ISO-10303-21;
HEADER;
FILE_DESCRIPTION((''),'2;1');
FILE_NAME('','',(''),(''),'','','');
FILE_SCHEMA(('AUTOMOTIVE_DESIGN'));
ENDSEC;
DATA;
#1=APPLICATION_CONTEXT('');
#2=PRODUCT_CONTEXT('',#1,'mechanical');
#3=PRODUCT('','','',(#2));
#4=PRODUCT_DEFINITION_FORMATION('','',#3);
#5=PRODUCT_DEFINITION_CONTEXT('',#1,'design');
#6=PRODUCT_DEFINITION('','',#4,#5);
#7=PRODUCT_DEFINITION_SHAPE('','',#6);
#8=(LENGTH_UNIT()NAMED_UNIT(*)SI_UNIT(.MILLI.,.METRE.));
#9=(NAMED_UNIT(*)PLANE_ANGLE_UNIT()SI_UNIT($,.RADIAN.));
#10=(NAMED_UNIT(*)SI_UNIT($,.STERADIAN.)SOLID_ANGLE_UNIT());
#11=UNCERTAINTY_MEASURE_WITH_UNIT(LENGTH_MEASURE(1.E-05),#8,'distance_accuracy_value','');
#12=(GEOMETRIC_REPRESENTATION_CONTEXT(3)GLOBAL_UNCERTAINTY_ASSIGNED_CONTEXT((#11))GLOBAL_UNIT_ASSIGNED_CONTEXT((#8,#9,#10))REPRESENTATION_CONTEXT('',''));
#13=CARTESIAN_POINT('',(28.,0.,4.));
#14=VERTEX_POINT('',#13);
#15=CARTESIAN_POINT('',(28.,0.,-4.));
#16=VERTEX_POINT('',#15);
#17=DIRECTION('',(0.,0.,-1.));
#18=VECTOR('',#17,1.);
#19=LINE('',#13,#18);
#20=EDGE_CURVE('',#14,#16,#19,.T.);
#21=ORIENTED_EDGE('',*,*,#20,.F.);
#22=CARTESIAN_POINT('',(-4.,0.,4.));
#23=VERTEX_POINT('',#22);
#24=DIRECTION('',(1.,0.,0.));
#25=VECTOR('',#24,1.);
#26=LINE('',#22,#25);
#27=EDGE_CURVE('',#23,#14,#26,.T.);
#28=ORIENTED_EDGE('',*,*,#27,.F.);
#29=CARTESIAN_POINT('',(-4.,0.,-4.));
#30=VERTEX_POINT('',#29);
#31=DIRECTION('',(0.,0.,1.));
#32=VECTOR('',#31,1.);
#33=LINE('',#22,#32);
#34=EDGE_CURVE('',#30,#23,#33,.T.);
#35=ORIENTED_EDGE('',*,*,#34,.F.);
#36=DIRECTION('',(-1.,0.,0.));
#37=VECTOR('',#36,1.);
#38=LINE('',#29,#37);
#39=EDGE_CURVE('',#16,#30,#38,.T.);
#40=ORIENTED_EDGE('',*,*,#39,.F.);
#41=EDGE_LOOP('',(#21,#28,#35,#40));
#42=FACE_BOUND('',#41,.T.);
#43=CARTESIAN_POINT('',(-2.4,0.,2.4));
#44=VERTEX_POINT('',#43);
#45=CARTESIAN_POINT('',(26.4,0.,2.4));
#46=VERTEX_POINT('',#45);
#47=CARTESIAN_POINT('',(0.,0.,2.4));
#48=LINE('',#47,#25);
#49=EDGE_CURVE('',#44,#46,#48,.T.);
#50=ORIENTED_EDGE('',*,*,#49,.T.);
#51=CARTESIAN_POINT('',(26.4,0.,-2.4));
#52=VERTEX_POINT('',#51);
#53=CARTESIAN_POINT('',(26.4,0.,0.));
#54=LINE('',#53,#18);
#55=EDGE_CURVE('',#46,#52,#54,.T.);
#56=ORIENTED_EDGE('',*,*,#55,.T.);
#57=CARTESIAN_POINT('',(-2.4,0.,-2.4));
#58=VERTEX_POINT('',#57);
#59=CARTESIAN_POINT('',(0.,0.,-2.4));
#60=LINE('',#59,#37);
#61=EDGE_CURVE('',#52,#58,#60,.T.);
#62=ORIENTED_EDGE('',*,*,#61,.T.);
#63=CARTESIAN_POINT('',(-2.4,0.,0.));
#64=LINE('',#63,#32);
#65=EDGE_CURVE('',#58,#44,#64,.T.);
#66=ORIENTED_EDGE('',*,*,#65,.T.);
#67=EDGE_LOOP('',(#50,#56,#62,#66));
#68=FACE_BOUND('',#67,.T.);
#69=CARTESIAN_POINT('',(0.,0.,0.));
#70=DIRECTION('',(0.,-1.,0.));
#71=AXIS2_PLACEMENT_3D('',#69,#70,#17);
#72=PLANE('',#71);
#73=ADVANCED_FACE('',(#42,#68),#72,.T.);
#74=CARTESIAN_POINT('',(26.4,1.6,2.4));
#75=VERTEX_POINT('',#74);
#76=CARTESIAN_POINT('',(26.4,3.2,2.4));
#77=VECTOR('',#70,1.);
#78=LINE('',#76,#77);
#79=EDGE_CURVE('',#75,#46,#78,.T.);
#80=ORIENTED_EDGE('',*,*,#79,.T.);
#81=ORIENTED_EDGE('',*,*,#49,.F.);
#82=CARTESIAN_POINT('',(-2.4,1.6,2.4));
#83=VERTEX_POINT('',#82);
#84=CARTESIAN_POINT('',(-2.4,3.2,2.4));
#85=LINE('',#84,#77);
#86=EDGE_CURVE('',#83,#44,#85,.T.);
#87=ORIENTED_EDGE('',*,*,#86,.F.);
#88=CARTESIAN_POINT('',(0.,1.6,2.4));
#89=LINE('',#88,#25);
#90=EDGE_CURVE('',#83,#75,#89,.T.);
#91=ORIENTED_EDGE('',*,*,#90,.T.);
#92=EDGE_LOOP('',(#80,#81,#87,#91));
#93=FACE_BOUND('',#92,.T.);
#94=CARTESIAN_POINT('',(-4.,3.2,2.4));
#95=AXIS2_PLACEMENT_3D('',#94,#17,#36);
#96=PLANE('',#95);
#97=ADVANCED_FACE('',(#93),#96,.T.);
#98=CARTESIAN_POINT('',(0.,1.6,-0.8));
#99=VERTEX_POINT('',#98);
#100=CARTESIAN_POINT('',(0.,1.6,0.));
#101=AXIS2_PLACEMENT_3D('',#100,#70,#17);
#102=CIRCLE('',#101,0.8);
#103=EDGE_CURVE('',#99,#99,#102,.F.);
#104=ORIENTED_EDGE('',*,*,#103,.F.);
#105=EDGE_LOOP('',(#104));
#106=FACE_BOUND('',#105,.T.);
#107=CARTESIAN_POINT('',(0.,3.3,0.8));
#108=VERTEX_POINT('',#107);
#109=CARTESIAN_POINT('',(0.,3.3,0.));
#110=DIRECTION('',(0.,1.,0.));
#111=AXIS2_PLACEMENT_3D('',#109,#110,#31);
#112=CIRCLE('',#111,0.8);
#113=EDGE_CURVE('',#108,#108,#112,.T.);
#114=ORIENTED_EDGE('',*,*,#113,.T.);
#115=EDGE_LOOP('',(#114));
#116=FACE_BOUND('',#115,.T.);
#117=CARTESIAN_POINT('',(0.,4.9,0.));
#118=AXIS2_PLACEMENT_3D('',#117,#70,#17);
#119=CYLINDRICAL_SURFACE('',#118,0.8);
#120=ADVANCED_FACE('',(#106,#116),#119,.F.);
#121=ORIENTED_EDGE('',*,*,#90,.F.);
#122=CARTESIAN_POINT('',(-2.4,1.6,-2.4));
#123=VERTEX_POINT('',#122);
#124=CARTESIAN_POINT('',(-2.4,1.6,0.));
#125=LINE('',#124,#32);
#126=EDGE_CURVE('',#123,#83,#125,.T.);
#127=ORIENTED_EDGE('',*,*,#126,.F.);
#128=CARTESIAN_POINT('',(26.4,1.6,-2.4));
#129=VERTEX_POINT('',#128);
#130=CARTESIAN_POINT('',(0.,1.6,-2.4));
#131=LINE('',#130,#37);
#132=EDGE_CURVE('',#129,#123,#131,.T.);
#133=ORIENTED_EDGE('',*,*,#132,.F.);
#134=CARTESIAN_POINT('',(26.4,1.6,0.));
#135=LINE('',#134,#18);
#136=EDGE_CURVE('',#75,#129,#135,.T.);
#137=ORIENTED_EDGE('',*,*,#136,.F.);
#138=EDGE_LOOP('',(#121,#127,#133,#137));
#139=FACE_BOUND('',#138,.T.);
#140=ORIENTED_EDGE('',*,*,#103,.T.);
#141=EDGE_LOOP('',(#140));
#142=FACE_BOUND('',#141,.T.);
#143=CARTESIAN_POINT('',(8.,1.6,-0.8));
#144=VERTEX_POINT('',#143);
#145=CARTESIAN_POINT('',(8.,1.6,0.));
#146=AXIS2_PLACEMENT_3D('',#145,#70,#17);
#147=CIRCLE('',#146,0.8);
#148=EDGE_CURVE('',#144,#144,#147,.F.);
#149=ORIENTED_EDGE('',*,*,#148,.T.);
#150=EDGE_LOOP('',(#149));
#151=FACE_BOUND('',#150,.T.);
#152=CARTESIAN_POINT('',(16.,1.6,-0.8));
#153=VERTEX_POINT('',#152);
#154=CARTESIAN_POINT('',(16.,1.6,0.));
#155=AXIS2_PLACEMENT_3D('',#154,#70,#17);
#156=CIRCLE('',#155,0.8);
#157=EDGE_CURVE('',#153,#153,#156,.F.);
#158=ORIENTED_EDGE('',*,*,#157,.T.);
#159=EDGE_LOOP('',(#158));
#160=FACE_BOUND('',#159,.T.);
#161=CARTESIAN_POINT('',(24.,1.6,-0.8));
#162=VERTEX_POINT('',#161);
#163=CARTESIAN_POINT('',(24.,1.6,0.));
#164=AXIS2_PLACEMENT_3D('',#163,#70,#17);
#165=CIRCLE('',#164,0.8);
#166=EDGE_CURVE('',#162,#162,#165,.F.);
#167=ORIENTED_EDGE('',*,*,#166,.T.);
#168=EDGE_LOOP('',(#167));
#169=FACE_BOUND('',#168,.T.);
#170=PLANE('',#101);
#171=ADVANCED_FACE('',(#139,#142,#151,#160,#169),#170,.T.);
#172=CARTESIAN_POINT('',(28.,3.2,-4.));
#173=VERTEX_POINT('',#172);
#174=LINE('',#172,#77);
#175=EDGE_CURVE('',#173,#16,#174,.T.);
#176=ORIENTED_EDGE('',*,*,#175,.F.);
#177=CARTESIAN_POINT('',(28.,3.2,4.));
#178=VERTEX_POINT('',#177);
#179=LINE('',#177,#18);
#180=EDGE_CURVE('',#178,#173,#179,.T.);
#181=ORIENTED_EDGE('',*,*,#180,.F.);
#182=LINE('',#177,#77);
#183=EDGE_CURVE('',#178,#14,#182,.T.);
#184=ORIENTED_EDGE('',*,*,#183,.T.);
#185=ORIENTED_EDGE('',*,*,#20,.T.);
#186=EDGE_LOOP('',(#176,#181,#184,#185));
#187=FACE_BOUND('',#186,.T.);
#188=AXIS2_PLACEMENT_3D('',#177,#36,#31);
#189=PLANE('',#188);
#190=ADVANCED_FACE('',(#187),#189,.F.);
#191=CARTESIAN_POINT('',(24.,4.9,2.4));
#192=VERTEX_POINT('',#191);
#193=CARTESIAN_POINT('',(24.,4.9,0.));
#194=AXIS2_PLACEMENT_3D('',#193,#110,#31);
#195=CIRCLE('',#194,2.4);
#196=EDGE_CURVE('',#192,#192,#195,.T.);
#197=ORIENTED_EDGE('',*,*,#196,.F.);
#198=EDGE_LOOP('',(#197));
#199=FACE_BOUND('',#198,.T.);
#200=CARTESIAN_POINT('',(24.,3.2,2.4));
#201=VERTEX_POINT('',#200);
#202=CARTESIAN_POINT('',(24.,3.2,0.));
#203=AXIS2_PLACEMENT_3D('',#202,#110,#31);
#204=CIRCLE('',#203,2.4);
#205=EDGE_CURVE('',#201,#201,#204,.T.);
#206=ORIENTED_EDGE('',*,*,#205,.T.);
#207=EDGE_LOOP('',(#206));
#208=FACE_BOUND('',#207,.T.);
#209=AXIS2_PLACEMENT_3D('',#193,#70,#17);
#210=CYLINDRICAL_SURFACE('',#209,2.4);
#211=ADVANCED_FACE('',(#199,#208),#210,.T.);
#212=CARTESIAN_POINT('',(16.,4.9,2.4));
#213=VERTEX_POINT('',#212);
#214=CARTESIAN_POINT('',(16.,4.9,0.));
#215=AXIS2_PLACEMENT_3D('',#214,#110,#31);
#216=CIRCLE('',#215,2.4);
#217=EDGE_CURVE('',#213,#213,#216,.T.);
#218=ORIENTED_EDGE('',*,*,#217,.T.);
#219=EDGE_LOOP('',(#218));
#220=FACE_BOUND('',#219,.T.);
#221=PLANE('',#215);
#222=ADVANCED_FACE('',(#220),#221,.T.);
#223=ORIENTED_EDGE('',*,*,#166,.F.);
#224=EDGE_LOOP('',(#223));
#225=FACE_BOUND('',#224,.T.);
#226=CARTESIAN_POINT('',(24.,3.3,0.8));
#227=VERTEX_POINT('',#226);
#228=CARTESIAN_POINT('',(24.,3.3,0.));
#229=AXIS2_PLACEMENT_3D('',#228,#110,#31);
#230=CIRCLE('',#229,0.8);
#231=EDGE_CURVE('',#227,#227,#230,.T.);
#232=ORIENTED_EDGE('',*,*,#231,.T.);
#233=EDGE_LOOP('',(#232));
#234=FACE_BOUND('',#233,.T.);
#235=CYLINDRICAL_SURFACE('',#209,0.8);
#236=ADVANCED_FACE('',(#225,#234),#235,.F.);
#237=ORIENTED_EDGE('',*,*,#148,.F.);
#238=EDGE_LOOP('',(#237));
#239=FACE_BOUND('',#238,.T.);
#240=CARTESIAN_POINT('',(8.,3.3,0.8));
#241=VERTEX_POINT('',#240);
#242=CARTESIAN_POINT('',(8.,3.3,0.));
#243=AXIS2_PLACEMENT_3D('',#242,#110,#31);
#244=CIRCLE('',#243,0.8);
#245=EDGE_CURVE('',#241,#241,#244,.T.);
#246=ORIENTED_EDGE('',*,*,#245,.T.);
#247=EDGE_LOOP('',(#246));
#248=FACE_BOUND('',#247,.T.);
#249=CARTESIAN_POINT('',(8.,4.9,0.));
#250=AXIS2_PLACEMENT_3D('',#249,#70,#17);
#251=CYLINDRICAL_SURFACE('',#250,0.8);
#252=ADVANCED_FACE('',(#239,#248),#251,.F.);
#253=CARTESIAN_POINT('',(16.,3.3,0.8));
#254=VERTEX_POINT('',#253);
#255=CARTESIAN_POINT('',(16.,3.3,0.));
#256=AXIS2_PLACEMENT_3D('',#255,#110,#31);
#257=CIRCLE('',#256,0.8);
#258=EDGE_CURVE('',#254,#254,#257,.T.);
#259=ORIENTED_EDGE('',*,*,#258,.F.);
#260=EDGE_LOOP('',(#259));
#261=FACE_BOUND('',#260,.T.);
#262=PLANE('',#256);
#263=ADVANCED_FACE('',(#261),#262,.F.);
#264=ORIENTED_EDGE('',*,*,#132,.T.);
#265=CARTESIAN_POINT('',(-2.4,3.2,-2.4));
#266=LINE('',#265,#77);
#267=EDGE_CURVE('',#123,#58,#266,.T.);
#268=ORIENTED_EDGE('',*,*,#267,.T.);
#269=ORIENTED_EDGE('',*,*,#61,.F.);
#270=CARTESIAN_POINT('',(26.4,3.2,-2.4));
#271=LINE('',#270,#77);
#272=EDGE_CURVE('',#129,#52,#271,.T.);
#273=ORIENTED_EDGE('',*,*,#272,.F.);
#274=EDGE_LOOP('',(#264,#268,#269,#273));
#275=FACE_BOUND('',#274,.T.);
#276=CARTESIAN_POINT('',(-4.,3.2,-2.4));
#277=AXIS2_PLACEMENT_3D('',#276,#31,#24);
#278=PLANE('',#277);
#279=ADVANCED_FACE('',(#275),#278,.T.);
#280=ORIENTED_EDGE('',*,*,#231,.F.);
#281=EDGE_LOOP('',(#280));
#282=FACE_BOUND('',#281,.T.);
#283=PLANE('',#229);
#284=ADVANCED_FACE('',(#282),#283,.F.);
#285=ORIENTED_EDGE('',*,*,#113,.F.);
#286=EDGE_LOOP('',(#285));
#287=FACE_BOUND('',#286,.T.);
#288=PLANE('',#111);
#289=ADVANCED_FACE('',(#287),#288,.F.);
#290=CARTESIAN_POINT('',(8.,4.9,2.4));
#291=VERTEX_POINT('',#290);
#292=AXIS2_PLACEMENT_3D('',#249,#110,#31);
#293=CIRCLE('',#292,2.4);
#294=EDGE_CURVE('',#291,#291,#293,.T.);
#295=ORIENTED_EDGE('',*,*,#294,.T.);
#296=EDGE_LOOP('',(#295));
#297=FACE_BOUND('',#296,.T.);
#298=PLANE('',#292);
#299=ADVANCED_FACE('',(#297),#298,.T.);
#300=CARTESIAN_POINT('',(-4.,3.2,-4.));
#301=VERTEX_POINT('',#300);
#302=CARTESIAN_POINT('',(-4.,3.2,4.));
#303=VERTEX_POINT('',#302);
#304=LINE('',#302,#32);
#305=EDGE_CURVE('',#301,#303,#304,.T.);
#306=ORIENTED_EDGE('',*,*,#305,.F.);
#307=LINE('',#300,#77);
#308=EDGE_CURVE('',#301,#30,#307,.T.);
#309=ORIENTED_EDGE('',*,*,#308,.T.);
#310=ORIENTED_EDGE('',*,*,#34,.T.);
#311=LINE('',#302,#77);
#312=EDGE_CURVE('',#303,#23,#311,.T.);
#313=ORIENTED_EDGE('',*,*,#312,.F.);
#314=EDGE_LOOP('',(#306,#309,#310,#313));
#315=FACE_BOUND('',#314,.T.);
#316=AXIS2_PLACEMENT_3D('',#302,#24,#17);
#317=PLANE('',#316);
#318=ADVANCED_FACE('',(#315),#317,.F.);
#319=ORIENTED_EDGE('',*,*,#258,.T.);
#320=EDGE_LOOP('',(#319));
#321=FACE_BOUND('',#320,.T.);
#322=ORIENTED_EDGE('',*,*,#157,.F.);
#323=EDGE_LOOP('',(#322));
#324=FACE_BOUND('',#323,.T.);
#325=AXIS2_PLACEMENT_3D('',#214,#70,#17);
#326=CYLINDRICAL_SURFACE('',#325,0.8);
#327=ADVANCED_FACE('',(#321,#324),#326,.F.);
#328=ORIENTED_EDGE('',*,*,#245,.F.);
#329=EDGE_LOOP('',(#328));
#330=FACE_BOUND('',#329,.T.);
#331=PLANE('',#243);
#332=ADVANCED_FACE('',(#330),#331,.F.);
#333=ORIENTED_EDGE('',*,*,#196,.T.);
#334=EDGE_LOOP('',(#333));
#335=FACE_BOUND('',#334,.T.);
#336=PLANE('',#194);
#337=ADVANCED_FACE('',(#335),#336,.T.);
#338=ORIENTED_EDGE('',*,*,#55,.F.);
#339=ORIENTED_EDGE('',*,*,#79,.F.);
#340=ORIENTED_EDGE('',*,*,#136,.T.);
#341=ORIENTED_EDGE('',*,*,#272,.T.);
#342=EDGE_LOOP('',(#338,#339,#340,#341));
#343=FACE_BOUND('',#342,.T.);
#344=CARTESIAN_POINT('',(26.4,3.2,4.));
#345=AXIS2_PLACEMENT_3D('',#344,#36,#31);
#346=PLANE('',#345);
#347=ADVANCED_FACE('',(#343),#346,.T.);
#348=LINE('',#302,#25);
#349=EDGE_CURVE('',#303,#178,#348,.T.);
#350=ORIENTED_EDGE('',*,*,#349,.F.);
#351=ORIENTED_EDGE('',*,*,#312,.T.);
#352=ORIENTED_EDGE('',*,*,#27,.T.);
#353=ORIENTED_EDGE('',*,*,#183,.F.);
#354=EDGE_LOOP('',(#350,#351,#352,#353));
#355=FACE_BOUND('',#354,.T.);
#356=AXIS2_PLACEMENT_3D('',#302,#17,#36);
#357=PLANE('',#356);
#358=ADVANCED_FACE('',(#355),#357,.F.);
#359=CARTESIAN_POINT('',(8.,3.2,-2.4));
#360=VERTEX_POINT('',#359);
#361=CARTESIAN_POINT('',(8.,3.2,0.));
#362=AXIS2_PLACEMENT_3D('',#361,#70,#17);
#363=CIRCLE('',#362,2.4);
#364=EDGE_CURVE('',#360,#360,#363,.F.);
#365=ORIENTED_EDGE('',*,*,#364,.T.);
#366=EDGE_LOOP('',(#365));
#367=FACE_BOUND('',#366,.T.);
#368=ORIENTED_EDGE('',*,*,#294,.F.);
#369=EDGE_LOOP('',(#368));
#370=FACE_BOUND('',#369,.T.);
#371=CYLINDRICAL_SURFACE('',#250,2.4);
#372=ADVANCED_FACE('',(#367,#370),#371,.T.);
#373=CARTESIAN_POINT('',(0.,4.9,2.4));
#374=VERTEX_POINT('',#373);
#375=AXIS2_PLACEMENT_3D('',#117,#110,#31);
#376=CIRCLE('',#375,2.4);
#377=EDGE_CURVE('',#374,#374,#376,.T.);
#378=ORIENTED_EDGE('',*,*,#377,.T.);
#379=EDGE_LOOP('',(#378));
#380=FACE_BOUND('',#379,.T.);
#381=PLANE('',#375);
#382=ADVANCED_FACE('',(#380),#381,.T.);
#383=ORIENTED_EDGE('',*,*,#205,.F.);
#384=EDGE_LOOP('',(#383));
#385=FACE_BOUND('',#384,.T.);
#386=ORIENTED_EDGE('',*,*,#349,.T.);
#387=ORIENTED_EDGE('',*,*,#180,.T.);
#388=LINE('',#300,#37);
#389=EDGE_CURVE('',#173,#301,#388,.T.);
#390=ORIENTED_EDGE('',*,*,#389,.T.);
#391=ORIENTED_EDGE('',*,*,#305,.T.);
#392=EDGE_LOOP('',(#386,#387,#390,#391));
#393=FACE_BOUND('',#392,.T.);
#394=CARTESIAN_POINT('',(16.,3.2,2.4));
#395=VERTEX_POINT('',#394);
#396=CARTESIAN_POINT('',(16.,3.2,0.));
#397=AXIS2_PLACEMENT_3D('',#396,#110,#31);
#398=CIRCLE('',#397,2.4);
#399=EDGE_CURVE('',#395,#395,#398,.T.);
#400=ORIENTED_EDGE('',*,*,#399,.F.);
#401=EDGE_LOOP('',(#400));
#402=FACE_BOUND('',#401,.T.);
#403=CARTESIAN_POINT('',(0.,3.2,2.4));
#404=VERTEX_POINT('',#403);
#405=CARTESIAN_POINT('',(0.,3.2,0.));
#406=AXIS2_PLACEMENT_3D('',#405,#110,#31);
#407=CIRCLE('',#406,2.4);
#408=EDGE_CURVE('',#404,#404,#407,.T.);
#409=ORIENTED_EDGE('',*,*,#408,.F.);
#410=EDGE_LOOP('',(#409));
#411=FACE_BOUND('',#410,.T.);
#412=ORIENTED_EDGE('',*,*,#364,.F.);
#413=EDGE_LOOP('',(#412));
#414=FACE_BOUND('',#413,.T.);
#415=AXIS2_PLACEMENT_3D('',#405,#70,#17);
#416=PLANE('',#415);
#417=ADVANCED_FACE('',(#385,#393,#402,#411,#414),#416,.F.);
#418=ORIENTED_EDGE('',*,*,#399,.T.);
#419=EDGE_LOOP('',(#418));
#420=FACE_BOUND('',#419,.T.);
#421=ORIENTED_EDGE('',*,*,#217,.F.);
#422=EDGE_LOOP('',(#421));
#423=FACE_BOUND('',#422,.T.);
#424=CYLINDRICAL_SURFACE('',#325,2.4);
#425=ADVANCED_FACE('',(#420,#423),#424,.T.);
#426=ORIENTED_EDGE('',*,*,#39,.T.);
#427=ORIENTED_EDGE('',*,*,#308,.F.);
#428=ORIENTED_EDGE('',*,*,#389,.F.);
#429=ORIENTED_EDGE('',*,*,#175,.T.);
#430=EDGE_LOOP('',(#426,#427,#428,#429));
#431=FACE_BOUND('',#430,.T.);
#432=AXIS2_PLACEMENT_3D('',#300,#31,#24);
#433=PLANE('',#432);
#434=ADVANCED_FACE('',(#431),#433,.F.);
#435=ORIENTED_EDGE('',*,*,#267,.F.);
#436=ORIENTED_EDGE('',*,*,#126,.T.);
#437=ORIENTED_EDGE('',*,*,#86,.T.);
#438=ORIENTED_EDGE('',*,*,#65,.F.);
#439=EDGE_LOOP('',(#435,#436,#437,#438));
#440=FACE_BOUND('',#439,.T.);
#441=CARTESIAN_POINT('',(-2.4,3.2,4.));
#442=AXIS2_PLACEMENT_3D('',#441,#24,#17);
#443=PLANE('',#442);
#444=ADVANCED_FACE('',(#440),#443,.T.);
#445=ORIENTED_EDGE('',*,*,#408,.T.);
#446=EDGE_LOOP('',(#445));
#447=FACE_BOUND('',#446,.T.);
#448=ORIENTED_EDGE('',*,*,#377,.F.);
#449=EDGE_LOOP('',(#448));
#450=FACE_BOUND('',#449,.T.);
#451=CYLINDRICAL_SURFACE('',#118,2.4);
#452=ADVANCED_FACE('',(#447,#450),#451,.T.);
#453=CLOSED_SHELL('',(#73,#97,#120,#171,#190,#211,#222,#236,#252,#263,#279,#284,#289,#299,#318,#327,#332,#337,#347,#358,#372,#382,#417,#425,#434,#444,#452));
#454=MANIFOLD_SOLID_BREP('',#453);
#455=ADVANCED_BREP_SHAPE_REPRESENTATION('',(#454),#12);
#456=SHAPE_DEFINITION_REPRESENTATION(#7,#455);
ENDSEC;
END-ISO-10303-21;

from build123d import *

# Parameters (mm, degrees)
SKETCH_1_W             = 8
SKETCH_1_H             = 8
HEIGHT_DEPTH           = 3.2
SKETCH_2_R             = 2.4
EXTRUDE_2_DEPTH        = 1.7
PATTERN_LINEAR_1_COUNT = 4
PATTERN_LINEAR_1_PITCH = 8
SHELL_1_T              = -1.6


with BuildPart() as part:
    # 草圖1 → height (new body)
    with BuildSketch(Plane(origin=(0, 0, 0), x_dir=(1, 0, 0), z_dir=(0, 1, 0))):
        Rectangle(SKETCH_1_W, SKETCH_1_H)
    height = extrude(amount=HEIGHT_DEPTH)

    # 草圖2 → 填料-伸長2 (add)
    with BuildSketch(Plane(origin=(0, 3.2, 0), x_dir=(1, 0, 0), z_dir=(0, 1, 0))):
        Circle(SKETCH_2_R)
    extrude_2 = extrude(amount=EXTRUDE_2_DEPTH)

    # 直線複製排列1: height, 填料-伸長2 ×4
    with Locations(*[(i * PATTERN_LINEAR_1_PITCH, 0, 0) for i in range(1, PATTERN_LINEAR_1_COUNT)]):
        add(height)
        add(extrude_2)

    # 薄殼1
    shell_1_openings = [part.faces().sort_by_distance(p)[0] for p in [
        (12, 0, 0),
    ]]
    offset(amount=SHELL_1_T, openings=shell_1_openings, kind=Kind.INTERSECTION)


solid = part.part
